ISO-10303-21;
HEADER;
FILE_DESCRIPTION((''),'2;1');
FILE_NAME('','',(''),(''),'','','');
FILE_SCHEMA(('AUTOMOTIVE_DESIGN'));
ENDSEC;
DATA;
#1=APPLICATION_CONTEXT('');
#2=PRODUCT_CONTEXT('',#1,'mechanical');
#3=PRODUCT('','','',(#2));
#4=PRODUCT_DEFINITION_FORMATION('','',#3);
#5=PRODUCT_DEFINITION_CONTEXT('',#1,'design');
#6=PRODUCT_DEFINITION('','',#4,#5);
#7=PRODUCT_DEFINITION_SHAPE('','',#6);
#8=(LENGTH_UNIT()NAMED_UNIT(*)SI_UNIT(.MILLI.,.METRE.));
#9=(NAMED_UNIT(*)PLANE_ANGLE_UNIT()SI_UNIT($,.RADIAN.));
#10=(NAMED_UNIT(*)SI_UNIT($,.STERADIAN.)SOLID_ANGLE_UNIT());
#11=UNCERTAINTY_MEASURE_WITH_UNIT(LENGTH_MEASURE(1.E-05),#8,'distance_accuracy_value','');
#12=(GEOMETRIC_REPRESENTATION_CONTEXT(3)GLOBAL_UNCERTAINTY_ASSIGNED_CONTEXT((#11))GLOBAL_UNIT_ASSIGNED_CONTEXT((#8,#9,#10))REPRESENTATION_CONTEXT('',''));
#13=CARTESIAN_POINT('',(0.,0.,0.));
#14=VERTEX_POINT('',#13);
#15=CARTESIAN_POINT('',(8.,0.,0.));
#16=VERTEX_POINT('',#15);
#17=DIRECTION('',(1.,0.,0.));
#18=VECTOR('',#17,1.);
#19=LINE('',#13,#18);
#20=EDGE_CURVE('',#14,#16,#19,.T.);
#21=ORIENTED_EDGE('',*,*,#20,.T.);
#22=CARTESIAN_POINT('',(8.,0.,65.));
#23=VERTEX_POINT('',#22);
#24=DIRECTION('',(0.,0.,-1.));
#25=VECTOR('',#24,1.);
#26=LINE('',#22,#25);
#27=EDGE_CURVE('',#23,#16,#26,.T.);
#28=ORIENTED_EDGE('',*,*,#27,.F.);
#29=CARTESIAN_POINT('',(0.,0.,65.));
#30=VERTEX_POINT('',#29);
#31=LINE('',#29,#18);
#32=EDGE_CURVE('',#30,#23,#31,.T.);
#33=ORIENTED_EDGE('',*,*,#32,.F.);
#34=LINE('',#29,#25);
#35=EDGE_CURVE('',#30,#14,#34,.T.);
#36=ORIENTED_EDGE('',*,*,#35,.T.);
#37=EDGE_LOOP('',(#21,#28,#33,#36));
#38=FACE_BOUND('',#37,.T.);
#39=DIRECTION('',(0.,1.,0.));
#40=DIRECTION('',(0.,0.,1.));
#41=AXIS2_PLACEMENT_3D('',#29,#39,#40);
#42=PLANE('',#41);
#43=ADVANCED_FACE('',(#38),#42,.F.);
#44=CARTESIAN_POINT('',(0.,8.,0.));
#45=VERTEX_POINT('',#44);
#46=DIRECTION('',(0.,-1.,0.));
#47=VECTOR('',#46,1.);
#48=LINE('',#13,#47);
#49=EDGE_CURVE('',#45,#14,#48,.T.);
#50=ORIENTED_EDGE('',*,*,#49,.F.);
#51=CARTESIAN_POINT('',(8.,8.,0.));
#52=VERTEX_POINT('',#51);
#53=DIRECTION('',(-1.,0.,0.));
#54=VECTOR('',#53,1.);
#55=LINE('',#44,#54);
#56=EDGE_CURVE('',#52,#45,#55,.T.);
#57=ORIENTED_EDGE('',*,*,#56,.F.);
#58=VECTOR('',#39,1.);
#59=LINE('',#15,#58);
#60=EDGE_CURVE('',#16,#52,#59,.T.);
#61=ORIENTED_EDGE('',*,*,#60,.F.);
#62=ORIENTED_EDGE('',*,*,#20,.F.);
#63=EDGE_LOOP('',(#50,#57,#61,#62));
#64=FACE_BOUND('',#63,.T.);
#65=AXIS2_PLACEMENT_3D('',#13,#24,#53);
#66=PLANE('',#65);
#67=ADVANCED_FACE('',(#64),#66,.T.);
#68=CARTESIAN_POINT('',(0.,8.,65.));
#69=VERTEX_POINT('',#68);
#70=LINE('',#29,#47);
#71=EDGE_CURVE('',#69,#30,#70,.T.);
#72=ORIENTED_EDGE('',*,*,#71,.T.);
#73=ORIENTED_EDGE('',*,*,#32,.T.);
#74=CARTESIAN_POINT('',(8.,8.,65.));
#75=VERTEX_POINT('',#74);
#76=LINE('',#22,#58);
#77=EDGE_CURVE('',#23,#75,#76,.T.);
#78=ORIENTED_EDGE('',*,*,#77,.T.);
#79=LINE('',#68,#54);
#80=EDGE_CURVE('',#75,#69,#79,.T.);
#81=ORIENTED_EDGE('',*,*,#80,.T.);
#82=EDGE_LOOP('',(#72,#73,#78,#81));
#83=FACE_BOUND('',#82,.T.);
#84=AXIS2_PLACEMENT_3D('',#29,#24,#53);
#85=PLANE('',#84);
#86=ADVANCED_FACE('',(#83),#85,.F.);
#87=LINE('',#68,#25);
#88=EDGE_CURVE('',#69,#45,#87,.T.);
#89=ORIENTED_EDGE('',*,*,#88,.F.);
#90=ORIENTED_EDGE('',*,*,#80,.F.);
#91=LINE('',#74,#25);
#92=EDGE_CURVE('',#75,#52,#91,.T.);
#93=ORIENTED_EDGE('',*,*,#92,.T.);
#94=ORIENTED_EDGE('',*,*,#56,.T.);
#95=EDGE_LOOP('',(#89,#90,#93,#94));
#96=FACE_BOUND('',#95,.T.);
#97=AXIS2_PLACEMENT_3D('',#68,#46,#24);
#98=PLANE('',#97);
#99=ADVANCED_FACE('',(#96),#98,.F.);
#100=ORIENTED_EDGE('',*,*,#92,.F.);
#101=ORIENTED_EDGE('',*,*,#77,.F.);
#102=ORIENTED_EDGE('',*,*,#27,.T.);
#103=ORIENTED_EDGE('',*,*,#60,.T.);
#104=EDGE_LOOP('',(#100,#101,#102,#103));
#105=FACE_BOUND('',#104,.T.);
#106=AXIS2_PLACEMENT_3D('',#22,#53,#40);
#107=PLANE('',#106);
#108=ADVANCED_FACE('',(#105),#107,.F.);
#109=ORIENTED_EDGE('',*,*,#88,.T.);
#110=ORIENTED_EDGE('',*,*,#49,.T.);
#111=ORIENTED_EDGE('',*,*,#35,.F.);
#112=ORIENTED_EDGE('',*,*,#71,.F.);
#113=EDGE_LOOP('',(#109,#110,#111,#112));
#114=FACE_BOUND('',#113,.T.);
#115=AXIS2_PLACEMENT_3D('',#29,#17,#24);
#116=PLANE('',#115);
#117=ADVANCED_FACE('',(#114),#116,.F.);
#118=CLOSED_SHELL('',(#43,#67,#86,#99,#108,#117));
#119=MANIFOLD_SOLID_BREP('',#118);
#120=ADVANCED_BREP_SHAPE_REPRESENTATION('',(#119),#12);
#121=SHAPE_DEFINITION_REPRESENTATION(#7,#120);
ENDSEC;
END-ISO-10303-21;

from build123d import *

# Parameters (mm, degrees)
ESBO_O1_W                = 8
ESBO_O1_H                = 8
RESSALTO_EXTRUS_O1_DEPTH = 65


with BuildPart() as part:
    # Esboço1 → Ressalto-extrusão1 (new body)
    with BuildSketch(Plane.XY):
        with Locations((4, 4)):
            Rectangle(ESBO_O1_W, ESBO_O1_H)
    extrude(amount=RESSALTO_EXTRUS_O1_DEPTH)


solid = part.part
